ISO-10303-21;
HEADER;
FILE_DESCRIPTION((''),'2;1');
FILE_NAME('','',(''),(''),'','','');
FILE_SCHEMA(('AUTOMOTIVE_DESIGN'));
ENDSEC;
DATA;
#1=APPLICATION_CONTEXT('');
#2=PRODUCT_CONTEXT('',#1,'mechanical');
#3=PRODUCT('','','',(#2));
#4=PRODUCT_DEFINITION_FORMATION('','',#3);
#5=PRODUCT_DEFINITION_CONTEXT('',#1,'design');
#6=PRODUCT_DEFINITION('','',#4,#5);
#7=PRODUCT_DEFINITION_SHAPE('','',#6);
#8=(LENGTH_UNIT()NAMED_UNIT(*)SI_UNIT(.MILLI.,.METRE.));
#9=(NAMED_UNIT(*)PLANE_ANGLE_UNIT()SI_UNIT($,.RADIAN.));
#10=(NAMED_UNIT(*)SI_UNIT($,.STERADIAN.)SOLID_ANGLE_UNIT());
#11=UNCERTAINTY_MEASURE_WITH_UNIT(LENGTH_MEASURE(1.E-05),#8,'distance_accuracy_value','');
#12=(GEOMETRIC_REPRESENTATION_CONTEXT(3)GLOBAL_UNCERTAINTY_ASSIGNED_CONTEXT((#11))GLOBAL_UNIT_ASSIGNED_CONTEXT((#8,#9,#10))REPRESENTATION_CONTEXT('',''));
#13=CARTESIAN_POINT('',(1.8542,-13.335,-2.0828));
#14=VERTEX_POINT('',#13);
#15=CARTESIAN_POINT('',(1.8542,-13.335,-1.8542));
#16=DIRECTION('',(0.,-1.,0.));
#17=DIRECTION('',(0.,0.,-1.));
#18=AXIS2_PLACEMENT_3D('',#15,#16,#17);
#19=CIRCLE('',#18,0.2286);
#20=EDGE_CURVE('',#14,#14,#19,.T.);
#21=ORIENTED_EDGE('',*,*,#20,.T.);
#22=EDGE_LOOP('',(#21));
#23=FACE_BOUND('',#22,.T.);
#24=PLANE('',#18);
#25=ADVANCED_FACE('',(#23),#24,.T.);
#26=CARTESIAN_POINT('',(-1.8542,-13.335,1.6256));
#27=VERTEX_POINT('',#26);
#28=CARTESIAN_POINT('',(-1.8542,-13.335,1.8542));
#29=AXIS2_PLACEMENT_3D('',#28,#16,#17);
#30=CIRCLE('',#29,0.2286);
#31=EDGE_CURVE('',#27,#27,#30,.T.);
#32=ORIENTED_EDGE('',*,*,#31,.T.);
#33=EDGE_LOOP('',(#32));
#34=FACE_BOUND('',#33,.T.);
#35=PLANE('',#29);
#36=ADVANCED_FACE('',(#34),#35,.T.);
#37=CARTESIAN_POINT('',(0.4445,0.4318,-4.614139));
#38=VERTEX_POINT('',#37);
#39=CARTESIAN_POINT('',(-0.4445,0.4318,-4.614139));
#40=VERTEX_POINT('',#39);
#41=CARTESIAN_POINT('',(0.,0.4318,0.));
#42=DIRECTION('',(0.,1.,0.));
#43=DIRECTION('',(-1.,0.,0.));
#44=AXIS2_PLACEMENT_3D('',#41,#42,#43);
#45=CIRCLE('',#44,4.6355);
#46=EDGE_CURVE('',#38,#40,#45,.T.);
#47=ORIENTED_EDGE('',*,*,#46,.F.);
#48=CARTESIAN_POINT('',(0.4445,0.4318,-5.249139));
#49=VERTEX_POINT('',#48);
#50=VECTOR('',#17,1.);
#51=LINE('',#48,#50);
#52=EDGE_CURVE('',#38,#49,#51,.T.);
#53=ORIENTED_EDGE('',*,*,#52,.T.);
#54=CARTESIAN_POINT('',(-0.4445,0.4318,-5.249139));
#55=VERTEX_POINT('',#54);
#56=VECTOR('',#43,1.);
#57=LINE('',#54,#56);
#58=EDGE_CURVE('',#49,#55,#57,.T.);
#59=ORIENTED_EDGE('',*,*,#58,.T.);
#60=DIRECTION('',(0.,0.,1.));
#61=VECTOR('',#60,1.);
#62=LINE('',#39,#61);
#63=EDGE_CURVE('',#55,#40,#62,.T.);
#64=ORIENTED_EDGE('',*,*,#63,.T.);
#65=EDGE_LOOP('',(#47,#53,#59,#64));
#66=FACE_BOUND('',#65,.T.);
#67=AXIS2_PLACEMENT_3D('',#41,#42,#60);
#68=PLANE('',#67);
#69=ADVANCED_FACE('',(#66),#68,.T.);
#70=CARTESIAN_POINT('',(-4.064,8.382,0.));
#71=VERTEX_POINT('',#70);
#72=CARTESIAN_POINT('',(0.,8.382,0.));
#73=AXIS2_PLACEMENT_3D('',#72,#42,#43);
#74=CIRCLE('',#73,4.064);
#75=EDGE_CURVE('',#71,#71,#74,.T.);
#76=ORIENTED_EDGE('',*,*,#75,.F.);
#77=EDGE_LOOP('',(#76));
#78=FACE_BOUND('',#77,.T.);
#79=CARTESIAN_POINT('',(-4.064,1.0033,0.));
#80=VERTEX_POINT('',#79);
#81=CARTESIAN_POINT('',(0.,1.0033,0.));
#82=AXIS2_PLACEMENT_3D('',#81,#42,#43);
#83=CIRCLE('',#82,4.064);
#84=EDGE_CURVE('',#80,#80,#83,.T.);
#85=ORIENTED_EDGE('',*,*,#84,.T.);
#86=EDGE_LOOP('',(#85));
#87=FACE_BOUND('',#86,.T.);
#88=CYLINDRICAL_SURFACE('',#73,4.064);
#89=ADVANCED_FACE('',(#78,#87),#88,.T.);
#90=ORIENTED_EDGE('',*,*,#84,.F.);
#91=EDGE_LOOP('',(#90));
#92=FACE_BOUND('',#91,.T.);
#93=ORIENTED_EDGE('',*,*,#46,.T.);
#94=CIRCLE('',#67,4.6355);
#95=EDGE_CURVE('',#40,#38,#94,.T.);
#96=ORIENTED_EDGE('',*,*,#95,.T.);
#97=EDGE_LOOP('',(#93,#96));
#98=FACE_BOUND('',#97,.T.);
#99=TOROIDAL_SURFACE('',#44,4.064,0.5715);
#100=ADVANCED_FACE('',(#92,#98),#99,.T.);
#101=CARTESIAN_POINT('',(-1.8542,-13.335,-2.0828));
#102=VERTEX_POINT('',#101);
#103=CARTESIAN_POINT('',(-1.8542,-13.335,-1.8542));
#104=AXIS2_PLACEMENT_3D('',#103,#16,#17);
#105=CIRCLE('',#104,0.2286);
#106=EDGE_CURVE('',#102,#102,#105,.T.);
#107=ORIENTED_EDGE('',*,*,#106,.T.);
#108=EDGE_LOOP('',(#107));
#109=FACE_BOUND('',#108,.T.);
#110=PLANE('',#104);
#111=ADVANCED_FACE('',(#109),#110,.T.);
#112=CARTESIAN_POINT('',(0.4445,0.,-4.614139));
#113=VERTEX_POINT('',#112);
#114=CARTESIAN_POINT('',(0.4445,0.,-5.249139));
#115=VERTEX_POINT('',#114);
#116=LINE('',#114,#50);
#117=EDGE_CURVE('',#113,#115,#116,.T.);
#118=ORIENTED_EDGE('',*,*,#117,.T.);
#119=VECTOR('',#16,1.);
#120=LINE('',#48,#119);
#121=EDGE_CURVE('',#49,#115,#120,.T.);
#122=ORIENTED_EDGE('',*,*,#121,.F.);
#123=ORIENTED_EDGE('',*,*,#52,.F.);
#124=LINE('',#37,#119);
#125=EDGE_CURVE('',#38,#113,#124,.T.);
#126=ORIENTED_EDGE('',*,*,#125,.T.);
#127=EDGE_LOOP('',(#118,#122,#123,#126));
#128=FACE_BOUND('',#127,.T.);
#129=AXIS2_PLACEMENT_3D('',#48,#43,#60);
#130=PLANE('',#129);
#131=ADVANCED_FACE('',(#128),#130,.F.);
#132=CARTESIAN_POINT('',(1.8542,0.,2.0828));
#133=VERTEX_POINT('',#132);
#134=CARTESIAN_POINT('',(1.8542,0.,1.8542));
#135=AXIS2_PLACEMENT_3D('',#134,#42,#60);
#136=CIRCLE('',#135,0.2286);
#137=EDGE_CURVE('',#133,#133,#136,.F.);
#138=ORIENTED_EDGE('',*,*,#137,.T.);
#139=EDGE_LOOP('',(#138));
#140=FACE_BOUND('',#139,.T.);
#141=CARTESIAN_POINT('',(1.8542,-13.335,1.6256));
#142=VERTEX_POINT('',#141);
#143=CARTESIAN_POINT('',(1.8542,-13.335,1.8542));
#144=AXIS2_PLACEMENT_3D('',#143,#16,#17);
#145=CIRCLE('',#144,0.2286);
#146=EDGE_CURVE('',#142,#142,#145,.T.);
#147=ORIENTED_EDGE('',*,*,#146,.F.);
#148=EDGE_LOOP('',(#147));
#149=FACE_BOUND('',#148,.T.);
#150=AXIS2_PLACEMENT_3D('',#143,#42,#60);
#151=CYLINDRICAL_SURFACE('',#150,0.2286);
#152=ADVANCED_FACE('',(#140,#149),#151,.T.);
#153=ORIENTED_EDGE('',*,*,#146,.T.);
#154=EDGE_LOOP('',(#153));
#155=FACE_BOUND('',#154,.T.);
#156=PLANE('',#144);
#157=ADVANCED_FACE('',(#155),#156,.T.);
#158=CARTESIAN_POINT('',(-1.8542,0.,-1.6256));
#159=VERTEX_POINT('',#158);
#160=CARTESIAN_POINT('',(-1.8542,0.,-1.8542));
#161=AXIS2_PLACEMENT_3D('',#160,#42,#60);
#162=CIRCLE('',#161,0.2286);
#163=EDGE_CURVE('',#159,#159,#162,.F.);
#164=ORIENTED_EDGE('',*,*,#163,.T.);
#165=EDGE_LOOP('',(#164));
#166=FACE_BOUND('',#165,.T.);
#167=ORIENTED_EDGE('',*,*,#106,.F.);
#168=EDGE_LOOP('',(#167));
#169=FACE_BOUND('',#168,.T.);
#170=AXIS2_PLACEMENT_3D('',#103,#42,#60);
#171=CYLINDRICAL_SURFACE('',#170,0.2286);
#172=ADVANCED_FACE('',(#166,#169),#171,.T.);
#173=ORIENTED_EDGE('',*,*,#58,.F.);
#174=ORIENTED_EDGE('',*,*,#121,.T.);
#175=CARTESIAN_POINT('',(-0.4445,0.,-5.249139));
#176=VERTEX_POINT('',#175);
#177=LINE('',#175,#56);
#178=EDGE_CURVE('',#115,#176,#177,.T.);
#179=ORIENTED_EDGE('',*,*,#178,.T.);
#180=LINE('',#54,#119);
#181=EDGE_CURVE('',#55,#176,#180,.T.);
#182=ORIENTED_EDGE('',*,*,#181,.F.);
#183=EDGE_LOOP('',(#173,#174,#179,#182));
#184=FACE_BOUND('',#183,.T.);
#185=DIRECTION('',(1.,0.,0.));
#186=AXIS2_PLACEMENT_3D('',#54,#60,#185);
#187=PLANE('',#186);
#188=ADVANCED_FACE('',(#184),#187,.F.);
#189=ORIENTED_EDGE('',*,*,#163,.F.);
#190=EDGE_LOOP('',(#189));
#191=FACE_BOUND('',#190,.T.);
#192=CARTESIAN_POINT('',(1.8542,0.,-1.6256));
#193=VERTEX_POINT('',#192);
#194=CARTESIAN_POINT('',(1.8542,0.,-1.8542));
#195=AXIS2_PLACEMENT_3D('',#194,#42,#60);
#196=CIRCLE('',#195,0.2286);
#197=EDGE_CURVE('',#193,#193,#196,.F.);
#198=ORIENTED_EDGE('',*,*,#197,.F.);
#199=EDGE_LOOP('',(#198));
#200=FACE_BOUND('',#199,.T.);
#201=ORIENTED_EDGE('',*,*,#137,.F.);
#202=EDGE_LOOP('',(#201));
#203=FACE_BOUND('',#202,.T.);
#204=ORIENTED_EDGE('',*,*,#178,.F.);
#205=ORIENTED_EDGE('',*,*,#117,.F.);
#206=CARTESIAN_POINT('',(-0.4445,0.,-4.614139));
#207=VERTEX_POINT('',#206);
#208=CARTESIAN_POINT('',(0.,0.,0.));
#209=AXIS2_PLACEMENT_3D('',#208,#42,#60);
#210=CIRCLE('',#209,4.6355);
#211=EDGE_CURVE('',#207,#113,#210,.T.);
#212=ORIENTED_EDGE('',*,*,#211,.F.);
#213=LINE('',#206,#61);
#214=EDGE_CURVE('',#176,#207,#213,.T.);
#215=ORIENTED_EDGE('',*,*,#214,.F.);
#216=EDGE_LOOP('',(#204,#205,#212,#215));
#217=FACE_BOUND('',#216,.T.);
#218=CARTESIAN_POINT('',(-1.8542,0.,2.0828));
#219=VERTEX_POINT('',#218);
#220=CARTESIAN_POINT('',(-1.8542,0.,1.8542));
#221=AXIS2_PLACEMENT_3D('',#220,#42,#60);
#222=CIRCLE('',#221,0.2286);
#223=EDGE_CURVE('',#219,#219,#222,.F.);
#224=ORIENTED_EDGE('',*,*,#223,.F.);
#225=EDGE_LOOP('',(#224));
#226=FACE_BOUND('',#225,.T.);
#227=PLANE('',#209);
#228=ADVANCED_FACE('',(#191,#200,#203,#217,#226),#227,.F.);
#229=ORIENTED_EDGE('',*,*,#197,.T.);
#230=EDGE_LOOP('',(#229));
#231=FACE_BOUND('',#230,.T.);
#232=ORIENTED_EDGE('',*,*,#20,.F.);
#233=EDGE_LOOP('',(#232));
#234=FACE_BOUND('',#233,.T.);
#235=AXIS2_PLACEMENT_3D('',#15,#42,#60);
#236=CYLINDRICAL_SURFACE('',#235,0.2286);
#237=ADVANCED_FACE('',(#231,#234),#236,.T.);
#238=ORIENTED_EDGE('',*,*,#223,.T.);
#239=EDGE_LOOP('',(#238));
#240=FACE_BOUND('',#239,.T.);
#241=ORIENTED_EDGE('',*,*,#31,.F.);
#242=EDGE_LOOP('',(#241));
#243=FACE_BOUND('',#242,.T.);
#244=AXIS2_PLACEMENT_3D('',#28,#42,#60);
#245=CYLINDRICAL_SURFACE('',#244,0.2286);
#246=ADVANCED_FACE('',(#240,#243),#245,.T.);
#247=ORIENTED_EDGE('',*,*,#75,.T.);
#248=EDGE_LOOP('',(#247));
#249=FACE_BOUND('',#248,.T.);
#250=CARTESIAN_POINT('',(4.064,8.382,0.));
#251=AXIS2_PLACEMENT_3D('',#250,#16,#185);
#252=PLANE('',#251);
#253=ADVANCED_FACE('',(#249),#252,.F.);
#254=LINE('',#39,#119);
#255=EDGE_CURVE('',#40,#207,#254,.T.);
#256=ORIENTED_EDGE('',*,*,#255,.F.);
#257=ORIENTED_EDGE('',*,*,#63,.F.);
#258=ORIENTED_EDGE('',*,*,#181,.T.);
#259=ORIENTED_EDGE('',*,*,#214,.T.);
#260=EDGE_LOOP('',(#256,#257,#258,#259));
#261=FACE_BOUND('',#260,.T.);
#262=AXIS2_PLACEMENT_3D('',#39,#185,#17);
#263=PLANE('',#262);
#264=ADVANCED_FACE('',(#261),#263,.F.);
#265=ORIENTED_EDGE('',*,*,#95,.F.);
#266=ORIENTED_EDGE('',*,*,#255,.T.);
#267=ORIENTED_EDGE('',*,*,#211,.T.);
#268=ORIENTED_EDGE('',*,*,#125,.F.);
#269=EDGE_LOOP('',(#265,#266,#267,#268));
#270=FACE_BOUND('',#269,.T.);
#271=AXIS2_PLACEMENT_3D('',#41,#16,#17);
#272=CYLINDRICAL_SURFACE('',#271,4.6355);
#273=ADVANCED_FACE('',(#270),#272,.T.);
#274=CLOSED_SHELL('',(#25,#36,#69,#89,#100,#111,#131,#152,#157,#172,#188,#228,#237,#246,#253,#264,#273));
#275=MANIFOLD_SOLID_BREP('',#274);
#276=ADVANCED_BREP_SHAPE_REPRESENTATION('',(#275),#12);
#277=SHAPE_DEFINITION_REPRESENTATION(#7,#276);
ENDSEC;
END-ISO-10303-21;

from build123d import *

# Parameters (mm, degrees)
BOSS_EXTRUDE1_DEPTH = 0.4318
SKETCH5_R           = 0.2286
BOSS_EXTRUDE2_DEPTH = 13.335


with BuildPart() as part:
    # Sketch2 → Boss-Extrude1 (new body)
    with BuildSketch(Plane(origin=(0, 0, 0), x_dir=(1, 0, 0), z_dir=(0, 1, 0))):
        with BuildLine():
            Line((-0.4445, 4.61413914), (-0.4445, 5.24913914))
            Line((-0.4445, 5.24913914), (0.4445, 5.24913914))
            Line((0.4445, 5.24913914), (0.4445, 4.61413914))
            ThreePointArc((0.4445, 4.61413914), (0, -4.6355), (-0.4445, 4.61413914))
        make_face()
    extrude(amount=BOSS_EXTRUDE1_DEPTH)

    # Sketch4 → Revolve1 (revolve)
    with BuildSketch(Plane.XY, mode=Mode.PRIVATE) as revolve1_sk:
        with BuildLine():
            Line((4.064, 1.0033), (4.064, 8.382))
            Line((4.064, 8.382), (0, 8.382))
            Line((0, 8.382), (0, 0.4318))
            Line((0, 0.4318), (4.6355, 0.4318))
            ThreePointArc((4.6355, 0.4318), (4.468111525, 0.835911525), (4.064, 1.0033))
        make_face()
    revolve(revolve1_sk.sketch.rotate(Axis((0, 8.382, 0), (0, -1, 0)), 180), axis=Axis((0, 8.382, 0), (0, -1, 0)))

    # Sketch5 → Boss-Extrude2 (add)
    with BuildSketch(Plane.XZ):
        with Locations(Location((-1.8542, -1.8542, 0), (0, 0, 90))):
            Circle(SKETCH5_R)
        with Locations(Location((1.8542, -1.8542, 0), (0, 0, 90))):
            Circle(SKETCH5_R)
        with Locations(Location((1.8542, 1.8542, 0), (0, 0, 90))):
            Circle(SKETCH5_R)
        with Locations(Location((-1.8542, 1.8542, 0), (0, 0, 90))):
            Circle(SKETCH5_R)
    extrude(amount=BOSS_EXTRUDE2_DEPTH)


solid = part.part
